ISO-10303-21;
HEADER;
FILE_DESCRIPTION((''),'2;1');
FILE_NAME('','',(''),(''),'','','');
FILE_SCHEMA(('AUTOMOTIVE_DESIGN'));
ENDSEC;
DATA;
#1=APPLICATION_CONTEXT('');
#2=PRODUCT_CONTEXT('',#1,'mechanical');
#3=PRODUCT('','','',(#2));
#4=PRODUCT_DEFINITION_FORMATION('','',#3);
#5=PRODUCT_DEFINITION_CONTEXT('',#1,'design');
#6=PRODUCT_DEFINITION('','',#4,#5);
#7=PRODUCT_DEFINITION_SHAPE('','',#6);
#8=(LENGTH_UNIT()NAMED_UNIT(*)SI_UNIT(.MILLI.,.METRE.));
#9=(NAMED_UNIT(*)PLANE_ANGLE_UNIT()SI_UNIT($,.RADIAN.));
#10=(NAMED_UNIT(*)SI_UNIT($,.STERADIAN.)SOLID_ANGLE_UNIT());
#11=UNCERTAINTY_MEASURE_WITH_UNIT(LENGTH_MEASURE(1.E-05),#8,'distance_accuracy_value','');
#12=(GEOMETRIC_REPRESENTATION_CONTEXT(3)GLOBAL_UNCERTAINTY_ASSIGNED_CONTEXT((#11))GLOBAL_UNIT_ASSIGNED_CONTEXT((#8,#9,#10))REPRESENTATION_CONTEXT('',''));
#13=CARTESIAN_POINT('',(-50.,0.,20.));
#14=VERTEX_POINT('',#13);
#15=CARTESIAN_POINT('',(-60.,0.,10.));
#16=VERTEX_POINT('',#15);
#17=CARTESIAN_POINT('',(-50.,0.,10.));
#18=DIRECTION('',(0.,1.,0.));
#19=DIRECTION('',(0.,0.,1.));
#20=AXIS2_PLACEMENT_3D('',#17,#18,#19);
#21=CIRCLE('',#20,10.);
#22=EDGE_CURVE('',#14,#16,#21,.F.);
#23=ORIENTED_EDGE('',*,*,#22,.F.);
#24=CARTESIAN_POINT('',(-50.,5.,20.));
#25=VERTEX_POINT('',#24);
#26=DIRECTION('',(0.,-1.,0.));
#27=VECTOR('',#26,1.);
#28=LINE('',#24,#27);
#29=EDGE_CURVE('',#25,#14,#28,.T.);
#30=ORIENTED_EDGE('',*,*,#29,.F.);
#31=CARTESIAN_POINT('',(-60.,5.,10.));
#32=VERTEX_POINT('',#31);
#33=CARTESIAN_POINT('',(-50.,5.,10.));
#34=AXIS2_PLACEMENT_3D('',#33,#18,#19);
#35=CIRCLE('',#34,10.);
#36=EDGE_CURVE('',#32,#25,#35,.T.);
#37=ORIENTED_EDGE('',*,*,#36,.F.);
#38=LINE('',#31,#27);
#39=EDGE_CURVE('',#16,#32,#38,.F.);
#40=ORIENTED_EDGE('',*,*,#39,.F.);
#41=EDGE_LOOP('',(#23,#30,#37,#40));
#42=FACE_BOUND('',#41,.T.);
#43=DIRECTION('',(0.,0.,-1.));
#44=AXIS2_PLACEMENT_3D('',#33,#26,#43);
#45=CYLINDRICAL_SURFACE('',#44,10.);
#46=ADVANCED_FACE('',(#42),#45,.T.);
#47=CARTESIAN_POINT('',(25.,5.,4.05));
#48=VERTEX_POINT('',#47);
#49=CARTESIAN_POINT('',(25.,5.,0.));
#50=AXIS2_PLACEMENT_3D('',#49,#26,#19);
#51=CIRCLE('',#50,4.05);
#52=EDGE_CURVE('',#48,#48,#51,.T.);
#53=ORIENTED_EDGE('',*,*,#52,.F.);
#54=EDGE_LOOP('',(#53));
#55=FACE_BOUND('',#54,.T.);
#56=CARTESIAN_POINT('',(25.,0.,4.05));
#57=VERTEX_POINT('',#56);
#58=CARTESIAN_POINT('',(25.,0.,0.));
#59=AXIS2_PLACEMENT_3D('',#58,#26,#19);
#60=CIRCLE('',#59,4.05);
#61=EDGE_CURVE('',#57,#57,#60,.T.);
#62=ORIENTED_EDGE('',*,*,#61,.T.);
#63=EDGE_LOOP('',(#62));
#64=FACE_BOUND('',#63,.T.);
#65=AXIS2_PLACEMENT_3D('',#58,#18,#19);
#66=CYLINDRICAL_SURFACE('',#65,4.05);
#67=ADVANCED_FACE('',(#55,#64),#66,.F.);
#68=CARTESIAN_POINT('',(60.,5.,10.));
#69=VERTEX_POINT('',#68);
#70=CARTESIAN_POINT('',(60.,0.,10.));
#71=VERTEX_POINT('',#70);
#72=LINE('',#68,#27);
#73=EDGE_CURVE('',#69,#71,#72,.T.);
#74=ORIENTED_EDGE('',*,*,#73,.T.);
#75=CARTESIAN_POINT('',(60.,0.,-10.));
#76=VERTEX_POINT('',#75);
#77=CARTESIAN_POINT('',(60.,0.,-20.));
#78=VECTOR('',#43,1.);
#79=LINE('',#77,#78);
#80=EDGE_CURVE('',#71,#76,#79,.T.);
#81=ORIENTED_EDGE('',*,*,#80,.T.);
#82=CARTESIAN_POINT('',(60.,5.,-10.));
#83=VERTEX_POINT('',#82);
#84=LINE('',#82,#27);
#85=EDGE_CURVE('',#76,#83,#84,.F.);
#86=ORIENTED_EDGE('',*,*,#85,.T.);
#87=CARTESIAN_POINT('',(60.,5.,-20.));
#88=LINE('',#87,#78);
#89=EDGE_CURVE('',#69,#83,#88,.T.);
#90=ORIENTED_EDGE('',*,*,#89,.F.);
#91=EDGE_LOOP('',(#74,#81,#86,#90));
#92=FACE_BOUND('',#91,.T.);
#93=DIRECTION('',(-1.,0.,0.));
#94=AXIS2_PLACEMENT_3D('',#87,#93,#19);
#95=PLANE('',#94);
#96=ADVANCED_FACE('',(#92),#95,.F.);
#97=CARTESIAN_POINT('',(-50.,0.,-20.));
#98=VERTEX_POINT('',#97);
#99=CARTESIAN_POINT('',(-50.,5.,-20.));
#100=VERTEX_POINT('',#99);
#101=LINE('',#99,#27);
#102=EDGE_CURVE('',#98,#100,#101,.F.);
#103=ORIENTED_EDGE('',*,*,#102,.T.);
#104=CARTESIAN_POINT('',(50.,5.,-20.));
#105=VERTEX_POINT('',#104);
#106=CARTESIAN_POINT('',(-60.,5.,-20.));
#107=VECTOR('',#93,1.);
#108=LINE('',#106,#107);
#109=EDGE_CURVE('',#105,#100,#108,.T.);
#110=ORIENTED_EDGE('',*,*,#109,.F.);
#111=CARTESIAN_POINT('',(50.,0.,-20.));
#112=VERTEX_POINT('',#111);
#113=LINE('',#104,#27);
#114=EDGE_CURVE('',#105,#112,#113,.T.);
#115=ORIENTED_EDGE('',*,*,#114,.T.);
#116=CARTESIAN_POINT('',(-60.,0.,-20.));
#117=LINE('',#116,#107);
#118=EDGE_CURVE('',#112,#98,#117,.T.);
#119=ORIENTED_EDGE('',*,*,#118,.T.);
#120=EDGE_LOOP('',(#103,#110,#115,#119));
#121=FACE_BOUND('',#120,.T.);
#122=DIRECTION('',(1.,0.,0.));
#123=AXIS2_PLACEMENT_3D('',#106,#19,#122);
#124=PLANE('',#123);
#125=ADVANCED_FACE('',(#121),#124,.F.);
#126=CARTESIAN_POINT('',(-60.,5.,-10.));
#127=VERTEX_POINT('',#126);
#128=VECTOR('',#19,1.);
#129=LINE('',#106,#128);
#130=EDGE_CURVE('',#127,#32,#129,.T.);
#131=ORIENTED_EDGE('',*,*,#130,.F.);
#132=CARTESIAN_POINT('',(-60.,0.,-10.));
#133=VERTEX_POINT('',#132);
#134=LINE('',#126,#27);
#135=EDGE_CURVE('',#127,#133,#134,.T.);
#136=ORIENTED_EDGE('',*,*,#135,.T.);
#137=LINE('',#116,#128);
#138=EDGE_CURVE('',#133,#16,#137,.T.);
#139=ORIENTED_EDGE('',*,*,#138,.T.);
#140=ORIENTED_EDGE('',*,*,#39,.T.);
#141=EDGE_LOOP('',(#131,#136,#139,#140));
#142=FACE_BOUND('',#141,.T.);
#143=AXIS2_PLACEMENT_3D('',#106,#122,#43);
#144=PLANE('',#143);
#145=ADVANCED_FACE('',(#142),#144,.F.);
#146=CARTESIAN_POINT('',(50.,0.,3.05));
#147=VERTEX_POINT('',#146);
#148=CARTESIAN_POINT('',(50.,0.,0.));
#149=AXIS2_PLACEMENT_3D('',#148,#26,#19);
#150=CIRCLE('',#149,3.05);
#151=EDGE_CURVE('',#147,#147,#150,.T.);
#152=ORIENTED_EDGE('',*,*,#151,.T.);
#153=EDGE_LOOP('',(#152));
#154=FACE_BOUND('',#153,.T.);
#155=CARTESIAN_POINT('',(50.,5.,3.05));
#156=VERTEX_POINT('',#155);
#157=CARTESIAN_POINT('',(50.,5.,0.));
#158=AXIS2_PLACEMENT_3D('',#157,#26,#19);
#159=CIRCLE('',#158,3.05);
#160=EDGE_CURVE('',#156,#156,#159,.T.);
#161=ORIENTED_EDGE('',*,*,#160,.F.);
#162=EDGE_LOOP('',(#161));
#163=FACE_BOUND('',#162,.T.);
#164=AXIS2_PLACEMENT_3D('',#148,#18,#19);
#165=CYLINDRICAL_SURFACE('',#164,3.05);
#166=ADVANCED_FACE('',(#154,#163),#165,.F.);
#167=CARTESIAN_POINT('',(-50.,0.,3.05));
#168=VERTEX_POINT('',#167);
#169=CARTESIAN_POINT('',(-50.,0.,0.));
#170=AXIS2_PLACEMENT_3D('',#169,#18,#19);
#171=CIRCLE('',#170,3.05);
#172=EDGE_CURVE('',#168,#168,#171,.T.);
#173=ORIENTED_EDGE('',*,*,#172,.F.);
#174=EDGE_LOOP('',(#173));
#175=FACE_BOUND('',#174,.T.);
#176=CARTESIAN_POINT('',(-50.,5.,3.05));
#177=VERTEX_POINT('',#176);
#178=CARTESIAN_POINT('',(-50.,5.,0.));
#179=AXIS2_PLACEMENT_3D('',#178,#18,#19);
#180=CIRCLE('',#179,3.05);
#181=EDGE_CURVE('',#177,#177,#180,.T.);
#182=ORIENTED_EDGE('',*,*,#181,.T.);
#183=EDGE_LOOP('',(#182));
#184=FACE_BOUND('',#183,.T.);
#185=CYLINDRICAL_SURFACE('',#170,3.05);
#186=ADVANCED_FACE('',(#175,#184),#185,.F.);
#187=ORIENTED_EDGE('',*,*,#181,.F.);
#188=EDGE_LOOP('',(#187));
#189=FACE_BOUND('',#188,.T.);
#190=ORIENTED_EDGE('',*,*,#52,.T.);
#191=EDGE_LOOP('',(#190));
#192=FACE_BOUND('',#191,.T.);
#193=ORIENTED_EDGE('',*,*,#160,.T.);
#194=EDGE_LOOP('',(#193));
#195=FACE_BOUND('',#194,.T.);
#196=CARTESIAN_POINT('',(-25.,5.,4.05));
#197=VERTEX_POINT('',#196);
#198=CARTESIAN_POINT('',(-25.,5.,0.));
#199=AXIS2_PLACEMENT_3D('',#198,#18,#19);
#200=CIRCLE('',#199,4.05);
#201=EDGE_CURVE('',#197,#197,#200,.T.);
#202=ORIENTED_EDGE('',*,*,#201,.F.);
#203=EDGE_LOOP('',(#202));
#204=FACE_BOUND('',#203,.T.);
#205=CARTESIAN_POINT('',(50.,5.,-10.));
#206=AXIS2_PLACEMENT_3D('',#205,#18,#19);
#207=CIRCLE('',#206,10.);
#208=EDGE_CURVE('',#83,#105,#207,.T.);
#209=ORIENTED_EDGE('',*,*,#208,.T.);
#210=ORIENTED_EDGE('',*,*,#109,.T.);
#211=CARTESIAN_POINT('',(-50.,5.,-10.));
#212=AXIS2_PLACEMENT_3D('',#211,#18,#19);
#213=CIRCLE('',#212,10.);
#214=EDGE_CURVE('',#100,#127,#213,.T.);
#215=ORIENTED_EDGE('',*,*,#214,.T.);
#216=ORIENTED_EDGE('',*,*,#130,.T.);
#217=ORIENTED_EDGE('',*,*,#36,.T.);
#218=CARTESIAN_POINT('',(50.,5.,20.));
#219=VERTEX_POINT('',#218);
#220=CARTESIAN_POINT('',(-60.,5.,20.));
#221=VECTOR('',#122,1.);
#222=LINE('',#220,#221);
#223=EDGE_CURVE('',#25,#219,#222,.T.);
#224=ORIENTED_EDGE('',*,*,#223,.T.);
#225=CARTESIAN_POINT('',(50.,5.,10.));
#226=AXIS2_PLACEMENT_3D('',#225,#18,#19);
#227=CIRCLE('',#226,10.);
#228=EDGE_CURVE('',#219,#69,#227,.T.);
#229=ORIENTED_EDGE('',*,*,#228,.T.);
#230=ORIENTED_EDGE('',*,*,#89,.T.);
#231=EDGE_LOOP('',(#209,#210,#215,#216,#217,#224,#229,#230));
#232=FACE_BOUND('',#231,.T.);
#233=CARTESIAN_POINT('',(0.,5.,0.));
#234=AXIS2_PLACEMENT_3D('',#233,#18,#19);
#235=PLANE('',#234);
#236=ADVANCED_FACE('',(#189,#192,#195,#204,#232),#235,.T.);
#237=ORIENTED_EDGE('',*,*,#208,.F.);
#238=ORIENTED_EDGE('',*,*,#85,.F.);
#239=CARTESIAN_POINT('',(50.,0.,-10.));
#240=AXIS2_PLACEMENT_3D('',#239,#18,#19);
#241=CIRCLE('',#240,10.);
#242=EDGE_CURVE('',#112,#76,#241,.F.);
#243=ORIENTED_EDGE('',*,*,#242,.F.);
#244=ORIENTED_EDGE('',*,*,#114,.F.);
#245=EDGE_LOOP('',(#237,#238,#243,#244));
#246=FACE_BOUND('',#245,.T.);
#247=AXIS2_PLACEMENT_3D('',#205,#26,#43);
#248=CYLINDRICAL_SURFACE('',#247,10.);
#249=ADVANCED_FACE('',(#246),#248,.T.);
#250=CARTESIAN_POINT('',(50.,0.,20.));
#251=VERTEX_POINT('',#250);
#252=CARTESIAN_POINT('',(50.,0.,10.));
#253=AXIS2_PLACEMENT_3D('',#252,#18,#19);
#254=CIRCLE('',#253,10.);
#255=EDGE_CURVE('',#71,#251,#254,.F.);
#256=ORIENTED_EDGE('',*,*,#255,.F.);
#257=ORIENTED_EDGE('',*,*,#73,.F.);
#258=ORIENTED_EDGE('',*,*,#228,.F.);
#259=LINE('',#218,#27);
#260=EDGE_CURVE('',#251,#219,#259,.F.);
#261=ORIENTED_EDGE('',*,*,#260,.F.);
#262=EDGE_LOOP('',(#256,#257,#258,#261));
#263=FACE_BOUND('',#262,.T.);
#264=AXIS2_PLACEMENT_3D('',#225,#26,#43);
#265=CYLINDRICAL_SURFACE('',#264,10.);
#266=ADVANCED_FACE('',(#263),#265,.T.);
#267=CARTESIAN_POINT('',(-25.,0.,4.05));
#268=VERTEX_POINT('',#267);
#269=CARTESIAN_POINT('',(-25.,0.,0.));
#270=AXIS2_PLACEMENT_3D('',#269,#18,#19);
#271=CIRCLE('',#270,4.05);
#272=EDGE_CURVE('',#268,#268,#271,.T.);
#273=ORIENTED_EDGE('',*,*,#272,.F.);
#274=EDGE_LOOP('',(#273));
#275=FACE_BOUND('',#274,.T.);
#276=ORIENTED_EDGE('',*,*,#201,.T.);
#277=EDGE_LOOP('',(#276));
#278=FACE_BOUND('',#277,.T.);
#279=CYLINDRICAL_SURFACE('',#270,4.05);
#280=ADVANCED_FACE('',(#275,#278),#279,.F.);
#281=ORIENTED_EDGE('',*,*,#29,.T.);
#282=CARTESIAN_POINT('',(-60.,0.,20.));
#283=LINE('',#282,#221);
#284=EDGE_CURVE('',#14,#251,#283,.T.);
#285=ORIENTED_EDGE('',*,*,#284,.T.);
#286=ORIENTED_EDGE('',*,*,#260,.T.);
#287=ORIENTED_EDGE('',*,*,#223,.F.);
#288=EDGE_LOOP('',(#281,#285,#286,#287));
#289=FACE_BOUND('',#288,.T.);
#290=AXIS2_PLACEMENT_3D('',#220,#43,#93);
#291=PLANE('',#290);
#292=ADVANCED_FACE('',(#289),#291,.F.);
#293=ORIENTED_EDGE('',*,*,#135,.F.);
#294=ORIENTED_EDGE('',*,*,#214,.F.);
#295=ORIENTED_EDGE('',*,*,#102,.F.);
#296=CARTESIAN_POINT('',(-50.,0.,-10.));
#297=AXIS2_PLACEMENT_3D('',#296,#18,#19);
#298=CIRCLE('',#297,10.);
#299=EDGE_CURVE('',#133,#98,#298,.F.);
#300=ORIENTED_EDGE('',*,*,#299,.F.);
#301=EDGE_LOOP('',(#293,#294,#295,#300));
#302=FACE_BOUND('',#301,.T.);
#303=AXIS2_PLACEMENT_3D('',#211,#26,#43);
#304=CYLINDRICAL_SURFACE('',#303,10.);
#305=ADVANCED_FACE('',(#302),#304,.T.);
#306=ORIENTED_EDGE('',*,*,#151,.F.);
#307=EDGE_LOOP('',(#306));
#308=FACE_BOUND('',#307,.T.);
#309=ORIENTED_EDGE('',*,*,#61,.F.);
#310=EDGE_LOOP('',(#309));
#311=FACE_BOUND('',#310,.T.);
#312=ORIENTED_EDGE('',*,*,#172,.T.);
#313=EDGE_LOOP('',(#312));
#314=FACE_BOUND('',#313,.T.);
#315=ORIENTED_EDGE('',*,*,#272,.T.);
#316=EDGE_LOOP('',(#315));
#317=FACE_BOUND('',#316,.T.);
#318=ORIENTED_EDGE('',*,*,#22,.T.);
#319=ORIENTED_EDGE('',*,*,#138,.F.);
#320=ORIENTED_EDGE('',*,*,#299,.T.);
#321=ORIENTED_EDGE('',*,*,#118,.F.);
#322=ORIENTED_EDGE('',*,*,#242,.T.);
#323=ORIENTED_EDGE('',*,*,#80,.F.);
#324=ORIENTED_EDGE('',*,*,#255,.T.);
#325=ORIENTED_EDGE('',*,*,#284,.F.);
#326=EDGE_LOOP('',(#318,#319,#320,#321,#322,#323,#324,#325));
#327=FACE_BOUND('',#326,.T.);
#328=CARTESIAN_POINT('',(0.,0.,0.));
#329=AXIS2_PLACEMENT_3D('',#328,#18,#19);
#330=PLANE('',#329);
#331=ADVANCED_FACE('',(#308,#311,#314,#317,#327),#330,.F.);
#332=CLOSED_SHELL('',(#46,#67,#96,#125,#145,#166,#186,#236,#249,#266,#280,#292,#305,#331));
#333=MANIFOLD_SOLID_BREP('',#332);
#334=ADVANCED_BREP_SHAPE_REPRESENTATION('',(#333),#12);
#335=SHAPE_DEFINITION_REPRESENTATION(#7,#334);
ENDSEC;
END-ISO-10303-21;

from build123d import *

# Parameters (mm, degrees)
SKETCH1_W           = 120
SKETCH1_H           = 40
BOSS_EXTRUDE1_DEPTH = 5
SKETCH2_R           = 4.05
SKETCH2_R_2         = 3.05
CUT_EXTRUDE1_DEPTH  = 64.442887702
FILLET1_R           = 10


with BuildPart() as part:
    # Sketch1 → Boss-Extrude1 (new body)
    with BuildSketch(Plane(origin=(0, 0, 0), x_dir=(1, 0, 0), z_dir=(0, 1, 0))):
        Rectangle(SKETCH1_W, SKETCH1_H)
    extrude(amount=BOSS_EXTRUDE1_DEPTH)

    # Sketch2 → Cut-Extrude1 (cut, through all)
    with BuildSketch(Plane(origin=(0, 5, 0), x_dir=(1, 0, 0), z_dir=(0, 1, 0))):
        with Locations(Location((-25, 0, 0), (0, 0, 270))):
            Circle(SKETCH2_R)
        with Locations(Location((-50, 0, 0), (0, 0, 270))):
            Circle(SKETCH2_R_2)
    cut_extrude1 = extrude(amount=-CUT_EXTRUDE1_DEPTH, mode=Mode.SUBTRACT)

    # Mirror1: Cut-Extrude1 across plane
    add(cut_extrude1.mirror(Plane(origin=(0, 0, 0), x_dir=(0, 0, 1), z_dir=(1, 0, 0))), mode=Mode.SUBTRACT)

    # Fillet1
    fillet1_edges = [part.edges().sort_by_distance(p)[0] for p in [
        (60, 2.5, 20),
        (-60, 2.5, 20),
        (-60, 2.5, -20),
        (60, 2.5, -20),
    ]]
    fillet(fillet1_edges, radius=FILLET1_R)


solid = part.part
